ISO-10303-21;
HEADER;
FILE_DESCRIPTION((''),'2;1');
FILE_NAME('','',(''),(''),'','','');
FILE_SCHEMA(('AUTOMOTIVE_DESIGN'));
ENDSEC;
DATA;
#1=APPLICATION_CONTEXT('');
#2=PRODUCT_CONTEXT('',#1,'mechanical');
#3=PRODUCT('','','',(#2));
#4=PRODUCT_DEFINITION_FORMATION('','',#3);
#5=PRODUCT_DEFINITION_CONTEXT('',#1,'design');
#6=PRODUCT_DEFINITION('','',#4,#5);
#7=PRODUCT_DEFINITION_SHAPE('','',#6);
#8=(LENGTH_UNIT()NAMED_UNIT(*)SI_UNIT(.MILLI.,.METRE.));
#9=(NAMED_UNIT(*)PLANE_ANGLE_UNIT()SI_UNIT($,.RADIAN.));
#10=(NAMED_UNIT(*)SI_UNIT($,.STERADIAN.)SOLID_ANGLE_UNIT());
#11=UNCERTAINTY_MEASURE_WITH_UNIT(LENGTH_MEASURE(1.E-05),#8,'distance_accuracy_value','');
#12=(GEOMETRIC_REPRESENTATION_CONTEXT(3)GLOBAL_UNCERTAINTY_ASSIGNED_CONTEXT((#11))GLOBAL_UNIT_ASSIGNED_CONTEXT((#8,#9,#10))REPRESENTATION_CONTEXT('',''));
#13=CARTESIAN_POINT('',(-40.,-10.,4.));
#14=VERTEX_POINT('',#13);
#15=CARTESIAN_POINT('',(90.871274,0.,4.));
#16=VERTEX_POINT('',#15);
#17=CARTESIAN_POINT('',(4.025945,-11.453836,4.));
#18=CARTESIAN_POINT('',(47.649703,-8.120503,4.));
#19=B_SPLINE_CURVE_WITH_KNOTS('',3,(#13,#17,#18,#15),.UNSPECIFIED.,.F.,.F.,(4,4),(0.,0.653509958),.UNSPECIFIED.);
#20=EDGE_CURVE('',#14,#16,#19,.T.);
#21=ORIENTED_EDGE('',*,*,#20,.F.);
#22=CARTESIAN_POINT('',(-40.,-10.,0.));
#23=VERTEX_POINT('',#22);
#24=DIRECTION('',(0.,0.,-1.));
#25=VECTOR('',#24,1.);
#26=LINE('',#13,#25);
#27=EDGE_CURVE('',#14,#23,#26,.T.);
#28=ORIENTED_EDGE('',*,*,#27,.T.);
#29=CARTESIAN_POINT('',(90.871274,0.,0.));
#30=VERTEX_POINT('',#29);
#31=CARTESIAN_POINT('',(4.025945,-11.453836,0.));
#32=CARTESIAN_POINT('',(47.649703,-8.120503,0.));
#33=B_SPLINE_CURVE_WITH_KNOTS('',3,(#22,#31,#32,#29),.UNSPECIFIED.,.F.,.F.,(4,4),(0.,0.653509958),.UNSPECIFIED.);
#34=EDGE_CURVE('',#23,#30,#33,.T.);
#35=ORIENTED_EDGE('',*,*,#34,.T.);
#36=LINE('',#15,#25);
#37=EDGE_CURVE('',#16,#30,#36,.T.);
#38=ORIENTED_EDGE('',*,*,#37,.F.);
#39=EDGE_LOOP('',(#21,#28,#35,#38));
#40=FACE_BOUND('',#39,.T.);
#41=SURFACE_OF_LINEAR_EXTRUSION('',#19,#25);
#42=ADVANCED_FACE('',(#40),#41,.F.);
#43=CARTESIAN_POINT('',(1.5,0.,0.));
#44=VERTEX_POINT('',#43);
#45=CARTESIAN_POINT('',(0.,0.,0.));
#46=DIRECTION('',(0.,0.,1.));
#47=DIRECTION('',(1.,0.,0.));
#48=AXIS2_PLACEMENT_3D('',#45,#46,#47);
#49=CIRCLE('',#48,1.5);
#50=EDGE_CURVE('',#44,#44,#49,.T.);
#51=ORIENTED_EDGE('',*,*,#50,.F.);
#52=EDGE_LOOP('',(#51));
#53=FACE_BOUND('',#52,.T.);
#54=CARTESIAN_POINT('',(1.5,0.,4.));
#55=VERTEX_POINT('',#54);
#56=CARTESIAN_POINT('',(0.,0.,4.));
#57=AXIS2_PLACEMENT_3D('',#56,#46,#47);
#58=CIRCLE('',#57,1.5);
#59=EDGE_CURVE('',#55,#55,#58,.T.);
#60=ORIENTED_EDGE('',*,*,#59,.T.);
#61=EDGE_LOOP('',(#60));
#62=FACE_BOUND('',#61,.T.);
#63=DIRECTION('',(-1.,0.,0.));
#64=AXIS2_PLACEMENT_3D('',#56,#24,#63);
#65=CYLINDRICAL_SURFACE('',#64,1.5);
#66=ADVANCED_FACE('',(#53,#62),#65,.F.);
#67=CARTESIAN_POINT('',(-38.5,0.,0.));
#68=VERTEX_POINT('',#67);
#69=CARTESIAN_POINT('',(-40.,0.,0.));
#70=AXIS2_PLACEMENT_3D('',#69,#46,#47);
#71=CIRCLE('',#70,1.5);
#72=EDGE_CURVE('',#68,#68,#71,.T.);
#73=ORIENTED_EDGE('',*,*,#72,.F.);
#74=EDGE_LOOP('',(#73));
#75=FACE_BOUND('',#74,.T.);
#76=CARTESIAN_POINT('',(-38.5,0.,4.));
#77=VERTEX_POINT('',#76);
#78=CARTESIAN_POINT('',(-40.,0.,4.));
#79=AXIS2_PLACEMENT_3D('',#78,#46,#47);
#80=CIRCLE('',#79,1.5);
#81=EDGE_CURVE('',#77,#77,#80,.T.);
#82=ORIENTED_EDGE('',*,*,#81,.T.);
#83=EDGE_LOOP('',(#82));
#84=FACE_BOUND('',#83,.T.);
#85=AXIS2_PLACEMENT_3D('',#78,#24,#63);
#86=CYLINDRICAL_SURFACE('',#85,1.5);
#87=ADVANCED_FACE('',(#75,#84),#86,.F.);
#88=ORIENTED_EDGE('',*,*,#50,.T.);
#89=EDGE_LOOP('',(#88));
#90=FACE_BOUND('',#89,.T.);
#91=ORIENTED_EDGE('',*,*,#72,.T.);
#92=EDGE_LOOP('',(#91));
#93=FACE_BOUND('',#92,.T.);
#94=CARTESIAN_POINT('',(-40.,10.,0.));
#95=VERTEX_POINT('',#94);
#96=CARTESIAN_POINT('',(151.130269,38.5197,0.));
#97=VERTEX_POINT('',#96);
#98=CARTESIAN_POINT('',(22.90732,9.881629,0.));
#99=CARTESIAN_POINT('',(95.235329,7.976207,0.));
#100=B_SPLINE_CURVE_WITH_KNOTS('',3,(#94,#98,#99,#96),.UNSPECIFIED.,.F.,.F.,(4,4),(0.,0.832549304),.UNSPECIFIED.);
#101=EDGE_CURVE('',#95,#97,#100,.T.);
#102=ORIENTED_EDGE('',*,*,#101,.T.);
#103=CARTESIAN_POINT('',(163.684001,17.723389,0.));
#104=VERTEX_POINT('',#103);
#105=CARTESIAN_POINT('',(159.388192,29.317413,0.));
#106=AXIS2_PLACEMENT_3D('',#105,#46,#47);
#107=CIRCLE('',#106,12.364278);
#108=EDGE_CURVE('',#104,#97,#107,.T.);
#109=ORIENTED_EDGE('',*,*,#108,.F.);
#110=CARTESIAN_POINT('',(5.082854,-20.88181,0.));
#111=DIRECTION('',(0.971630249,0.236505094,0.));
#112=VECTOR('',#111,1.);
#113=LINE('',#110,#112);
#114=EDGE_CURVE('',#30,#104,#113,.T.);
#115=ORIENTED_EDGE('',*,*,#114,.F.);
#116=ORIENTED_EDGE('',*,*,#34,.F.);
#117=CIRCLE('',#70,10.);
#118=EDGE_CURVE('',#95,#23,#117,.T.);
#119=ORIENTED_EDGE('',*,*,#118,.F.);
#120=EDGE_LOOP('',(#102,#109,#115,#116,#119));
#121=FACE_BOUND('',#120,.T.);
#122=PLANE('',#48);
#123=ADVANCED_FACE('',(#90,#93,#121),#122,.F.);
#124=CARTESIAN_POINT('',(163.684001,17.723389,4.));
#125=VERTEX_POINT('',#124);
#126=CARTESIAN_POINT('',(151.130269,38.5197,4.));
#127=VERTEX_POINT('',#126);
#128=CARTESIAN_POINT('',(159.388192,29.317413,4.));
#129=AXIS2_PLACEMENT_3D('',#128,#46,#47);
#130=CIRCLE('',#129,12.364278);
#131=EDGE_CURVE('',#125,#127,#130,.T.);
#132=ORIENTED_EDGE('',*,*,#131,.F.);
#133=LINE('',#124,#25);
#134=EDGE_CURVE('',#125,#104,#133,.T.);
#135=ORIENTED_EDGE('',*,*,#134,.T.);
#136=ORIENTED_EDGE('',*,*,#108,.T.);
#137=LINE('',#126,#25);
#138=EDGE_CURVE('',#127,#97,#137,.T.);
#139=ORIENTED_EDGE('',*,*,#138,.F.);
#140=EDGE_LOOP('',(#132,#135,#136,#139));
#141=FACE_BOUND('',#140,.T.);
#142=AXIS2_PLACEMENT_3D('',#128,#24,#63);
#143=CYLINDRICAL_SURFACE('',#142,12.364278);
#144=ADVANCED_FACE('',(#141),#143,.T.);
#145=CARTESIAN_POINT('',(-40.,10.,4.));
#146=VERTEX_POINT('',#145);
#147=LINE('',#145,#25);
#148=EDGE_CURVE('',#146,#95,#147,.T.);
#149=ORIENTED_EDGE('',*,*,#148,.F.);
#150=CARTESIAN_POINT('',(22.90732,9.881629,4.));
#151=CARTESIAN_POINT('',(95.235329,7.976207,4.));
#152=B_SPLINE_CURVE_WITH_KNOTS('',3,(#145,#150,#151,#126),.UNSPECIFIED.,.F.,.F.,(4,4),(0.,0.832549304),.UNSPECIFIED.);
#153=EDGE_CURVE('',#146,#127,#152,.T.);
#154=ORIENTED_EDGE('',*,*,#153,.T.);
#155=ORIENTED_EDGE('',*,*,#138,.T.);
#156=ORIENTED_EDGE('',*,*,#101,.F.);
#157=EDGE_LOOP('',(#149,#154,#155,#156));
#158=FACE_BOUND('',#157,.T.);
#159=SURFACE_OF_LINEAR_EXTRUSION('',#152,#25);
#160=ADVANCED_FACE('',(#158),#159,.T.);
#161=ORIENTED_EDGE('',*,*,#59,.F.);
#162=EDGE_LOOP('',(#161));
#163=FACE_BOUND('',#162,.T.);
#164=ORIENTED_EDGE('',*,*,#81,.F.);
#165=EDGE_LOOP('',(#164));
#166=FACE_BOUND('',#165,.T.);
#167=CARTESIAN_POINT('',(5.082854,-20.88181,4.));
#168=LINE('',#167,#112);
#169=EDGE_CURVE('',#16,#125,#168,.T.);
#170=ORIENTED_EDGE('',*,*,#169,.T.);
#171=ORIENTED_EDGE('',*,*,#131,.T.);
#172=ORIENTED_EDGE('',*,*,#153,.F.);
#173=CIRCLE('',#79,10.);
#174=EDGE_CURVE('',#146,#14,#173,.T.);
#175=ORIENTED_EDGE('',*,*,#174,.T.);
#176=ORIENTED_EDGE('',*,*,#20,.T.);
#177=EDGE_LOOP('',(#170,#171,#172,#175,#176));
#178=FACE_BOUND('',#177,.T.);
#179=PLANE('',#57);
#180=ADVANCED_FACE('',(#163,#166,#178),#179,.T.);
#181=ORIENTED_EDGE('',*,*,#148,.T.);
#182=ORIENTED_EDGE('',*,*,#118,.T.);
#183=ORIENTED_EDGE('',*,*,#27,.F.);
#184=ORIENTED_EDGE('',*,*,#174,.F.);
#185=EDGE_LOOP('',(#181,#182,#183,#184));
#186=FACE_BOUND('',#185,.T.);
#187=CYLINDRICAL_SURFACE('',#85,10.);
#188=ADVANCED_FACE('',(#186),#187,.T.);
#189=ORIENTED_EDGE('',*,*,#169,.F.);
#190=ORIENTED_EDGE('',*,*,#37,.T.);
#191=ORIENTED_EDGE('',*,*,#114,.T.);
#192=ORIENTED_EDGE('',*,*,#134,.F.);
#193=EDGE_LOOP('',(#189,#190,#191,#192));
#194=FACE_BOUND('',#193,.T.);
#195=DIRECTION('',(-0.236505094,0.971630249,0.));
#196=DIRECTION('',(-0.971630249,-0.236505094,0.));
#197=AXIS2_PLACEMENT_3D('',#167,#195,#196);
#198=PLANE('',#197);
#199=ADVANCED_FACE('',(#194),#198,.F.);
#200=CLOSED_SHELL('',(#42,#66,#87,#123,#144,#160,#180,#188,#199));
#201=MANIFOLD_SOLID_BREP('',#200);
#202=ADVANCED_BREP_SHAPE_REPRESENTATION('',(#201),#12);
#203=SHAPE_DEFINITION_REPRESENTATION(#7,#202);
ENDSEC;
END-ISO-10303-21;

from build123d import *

# Parameters (mm, degrees)
SKETCH_1_R      = 1.5
EXTRUDE_1_DEPTH = 4


with BuildPart() as part:
    # 草图1 → 凸台-拉伸1 (new body)
    with BuildSketch(Plane.XY):
        with BuildLine():
            add(Edge.make_bspline(
                [(0, 10), (52.11400991, 10.48088872), (106.792215868, 14.291406746), (151.130268959, 38.519700222)],
                knots=[0.172138622, 0.172138622, 0.172138622, 0.172138622, 0.832549304, 0.832549304, 0.832549304, 0.832549304], degree=3))
            add(Edge.make_bspline(
                [(-0.183054557, 9.998324411), (-0.122039901, 9.998878394), (-0.061021708, 9.999436914), (0, 10)],
                knots=[0.17136533, 0.17136533, 0.17136533, 0.17136533, 0.172138622, 0.172138622, 0.172138622, 0.172138622], degree=3))
            add(Edge.make_bspline(
                [(-39.962254298, 9.999928763), (-27.025718651, 9.975441168), (-13.691052102, 9.875678503), (-0.183054557, 9.998324411)],
                knots=[0.000166511, 0.000166511, 0.000166511, 0.000166511, 0.17136533, 0.17136533, 0.17136533, 0.17136533], degree=3))
            ThreePointArc((-39.962254298, 9.999928763), (-39.981127115, 9.999982191), (-40, 10))
            ThreePointArc((-40, 10), (-50, 0), (-40, -10))
            add(Edge.make_bspline(
                [(-40, -10), (-26.629572895, -10.441521612), (-13.296239562, -10.441521612), (0, -10)],
                knots=[0, 0, 0, 0, 0.198467229, 0.198467229, 0.198467229, 0.198467229], degree=3))
            add(Edge.make_bspline(
                [(0, -10), (0.224885721, -9.992532332), (0.449760832, -9.984938359), (0.674625331, -9.977218082)],
                knots=[0.198467229, 0.198467229, 0.198467229, 0.198467229, 0.201824001, 0.201824001, 0.201824001, 0.201824001], degree=3))
            add(Edge.make_bspline(
                [(0.674625331, -9.977218082), (30.932305536, -8.938380612), (60.997855132, -5.612641251), (90.871274119, 0)],
                knots=[0.201824001, 0.201824001, 0.201824001, 0.201824001, 0.653509958, 0.653509958, 0.653509958, 0.653509958], degree=3))
            Line((90.871274119, 0), (163.684000861, 17.723388911))
            ThreePointArc((163.684000861, 17.723388911), (171.094194245, 33.297976406), (155.725788693, 41.126823857))
            ThreePointArc((155.725788693, 41.126823857), (153.287141392, 40.071601234), (151.130268959, 38.519700222))
        make_face()
        with Locations((-40, 0)):
            Circle(SKETCH_1_R, mode=Mode.SUBTRACT)
        Circle(SKETCH_1_R, mode=Mode.SUBTRACT)
    extrude(amount=EXTRUDE_1_DEPTH)


solid = part.part
